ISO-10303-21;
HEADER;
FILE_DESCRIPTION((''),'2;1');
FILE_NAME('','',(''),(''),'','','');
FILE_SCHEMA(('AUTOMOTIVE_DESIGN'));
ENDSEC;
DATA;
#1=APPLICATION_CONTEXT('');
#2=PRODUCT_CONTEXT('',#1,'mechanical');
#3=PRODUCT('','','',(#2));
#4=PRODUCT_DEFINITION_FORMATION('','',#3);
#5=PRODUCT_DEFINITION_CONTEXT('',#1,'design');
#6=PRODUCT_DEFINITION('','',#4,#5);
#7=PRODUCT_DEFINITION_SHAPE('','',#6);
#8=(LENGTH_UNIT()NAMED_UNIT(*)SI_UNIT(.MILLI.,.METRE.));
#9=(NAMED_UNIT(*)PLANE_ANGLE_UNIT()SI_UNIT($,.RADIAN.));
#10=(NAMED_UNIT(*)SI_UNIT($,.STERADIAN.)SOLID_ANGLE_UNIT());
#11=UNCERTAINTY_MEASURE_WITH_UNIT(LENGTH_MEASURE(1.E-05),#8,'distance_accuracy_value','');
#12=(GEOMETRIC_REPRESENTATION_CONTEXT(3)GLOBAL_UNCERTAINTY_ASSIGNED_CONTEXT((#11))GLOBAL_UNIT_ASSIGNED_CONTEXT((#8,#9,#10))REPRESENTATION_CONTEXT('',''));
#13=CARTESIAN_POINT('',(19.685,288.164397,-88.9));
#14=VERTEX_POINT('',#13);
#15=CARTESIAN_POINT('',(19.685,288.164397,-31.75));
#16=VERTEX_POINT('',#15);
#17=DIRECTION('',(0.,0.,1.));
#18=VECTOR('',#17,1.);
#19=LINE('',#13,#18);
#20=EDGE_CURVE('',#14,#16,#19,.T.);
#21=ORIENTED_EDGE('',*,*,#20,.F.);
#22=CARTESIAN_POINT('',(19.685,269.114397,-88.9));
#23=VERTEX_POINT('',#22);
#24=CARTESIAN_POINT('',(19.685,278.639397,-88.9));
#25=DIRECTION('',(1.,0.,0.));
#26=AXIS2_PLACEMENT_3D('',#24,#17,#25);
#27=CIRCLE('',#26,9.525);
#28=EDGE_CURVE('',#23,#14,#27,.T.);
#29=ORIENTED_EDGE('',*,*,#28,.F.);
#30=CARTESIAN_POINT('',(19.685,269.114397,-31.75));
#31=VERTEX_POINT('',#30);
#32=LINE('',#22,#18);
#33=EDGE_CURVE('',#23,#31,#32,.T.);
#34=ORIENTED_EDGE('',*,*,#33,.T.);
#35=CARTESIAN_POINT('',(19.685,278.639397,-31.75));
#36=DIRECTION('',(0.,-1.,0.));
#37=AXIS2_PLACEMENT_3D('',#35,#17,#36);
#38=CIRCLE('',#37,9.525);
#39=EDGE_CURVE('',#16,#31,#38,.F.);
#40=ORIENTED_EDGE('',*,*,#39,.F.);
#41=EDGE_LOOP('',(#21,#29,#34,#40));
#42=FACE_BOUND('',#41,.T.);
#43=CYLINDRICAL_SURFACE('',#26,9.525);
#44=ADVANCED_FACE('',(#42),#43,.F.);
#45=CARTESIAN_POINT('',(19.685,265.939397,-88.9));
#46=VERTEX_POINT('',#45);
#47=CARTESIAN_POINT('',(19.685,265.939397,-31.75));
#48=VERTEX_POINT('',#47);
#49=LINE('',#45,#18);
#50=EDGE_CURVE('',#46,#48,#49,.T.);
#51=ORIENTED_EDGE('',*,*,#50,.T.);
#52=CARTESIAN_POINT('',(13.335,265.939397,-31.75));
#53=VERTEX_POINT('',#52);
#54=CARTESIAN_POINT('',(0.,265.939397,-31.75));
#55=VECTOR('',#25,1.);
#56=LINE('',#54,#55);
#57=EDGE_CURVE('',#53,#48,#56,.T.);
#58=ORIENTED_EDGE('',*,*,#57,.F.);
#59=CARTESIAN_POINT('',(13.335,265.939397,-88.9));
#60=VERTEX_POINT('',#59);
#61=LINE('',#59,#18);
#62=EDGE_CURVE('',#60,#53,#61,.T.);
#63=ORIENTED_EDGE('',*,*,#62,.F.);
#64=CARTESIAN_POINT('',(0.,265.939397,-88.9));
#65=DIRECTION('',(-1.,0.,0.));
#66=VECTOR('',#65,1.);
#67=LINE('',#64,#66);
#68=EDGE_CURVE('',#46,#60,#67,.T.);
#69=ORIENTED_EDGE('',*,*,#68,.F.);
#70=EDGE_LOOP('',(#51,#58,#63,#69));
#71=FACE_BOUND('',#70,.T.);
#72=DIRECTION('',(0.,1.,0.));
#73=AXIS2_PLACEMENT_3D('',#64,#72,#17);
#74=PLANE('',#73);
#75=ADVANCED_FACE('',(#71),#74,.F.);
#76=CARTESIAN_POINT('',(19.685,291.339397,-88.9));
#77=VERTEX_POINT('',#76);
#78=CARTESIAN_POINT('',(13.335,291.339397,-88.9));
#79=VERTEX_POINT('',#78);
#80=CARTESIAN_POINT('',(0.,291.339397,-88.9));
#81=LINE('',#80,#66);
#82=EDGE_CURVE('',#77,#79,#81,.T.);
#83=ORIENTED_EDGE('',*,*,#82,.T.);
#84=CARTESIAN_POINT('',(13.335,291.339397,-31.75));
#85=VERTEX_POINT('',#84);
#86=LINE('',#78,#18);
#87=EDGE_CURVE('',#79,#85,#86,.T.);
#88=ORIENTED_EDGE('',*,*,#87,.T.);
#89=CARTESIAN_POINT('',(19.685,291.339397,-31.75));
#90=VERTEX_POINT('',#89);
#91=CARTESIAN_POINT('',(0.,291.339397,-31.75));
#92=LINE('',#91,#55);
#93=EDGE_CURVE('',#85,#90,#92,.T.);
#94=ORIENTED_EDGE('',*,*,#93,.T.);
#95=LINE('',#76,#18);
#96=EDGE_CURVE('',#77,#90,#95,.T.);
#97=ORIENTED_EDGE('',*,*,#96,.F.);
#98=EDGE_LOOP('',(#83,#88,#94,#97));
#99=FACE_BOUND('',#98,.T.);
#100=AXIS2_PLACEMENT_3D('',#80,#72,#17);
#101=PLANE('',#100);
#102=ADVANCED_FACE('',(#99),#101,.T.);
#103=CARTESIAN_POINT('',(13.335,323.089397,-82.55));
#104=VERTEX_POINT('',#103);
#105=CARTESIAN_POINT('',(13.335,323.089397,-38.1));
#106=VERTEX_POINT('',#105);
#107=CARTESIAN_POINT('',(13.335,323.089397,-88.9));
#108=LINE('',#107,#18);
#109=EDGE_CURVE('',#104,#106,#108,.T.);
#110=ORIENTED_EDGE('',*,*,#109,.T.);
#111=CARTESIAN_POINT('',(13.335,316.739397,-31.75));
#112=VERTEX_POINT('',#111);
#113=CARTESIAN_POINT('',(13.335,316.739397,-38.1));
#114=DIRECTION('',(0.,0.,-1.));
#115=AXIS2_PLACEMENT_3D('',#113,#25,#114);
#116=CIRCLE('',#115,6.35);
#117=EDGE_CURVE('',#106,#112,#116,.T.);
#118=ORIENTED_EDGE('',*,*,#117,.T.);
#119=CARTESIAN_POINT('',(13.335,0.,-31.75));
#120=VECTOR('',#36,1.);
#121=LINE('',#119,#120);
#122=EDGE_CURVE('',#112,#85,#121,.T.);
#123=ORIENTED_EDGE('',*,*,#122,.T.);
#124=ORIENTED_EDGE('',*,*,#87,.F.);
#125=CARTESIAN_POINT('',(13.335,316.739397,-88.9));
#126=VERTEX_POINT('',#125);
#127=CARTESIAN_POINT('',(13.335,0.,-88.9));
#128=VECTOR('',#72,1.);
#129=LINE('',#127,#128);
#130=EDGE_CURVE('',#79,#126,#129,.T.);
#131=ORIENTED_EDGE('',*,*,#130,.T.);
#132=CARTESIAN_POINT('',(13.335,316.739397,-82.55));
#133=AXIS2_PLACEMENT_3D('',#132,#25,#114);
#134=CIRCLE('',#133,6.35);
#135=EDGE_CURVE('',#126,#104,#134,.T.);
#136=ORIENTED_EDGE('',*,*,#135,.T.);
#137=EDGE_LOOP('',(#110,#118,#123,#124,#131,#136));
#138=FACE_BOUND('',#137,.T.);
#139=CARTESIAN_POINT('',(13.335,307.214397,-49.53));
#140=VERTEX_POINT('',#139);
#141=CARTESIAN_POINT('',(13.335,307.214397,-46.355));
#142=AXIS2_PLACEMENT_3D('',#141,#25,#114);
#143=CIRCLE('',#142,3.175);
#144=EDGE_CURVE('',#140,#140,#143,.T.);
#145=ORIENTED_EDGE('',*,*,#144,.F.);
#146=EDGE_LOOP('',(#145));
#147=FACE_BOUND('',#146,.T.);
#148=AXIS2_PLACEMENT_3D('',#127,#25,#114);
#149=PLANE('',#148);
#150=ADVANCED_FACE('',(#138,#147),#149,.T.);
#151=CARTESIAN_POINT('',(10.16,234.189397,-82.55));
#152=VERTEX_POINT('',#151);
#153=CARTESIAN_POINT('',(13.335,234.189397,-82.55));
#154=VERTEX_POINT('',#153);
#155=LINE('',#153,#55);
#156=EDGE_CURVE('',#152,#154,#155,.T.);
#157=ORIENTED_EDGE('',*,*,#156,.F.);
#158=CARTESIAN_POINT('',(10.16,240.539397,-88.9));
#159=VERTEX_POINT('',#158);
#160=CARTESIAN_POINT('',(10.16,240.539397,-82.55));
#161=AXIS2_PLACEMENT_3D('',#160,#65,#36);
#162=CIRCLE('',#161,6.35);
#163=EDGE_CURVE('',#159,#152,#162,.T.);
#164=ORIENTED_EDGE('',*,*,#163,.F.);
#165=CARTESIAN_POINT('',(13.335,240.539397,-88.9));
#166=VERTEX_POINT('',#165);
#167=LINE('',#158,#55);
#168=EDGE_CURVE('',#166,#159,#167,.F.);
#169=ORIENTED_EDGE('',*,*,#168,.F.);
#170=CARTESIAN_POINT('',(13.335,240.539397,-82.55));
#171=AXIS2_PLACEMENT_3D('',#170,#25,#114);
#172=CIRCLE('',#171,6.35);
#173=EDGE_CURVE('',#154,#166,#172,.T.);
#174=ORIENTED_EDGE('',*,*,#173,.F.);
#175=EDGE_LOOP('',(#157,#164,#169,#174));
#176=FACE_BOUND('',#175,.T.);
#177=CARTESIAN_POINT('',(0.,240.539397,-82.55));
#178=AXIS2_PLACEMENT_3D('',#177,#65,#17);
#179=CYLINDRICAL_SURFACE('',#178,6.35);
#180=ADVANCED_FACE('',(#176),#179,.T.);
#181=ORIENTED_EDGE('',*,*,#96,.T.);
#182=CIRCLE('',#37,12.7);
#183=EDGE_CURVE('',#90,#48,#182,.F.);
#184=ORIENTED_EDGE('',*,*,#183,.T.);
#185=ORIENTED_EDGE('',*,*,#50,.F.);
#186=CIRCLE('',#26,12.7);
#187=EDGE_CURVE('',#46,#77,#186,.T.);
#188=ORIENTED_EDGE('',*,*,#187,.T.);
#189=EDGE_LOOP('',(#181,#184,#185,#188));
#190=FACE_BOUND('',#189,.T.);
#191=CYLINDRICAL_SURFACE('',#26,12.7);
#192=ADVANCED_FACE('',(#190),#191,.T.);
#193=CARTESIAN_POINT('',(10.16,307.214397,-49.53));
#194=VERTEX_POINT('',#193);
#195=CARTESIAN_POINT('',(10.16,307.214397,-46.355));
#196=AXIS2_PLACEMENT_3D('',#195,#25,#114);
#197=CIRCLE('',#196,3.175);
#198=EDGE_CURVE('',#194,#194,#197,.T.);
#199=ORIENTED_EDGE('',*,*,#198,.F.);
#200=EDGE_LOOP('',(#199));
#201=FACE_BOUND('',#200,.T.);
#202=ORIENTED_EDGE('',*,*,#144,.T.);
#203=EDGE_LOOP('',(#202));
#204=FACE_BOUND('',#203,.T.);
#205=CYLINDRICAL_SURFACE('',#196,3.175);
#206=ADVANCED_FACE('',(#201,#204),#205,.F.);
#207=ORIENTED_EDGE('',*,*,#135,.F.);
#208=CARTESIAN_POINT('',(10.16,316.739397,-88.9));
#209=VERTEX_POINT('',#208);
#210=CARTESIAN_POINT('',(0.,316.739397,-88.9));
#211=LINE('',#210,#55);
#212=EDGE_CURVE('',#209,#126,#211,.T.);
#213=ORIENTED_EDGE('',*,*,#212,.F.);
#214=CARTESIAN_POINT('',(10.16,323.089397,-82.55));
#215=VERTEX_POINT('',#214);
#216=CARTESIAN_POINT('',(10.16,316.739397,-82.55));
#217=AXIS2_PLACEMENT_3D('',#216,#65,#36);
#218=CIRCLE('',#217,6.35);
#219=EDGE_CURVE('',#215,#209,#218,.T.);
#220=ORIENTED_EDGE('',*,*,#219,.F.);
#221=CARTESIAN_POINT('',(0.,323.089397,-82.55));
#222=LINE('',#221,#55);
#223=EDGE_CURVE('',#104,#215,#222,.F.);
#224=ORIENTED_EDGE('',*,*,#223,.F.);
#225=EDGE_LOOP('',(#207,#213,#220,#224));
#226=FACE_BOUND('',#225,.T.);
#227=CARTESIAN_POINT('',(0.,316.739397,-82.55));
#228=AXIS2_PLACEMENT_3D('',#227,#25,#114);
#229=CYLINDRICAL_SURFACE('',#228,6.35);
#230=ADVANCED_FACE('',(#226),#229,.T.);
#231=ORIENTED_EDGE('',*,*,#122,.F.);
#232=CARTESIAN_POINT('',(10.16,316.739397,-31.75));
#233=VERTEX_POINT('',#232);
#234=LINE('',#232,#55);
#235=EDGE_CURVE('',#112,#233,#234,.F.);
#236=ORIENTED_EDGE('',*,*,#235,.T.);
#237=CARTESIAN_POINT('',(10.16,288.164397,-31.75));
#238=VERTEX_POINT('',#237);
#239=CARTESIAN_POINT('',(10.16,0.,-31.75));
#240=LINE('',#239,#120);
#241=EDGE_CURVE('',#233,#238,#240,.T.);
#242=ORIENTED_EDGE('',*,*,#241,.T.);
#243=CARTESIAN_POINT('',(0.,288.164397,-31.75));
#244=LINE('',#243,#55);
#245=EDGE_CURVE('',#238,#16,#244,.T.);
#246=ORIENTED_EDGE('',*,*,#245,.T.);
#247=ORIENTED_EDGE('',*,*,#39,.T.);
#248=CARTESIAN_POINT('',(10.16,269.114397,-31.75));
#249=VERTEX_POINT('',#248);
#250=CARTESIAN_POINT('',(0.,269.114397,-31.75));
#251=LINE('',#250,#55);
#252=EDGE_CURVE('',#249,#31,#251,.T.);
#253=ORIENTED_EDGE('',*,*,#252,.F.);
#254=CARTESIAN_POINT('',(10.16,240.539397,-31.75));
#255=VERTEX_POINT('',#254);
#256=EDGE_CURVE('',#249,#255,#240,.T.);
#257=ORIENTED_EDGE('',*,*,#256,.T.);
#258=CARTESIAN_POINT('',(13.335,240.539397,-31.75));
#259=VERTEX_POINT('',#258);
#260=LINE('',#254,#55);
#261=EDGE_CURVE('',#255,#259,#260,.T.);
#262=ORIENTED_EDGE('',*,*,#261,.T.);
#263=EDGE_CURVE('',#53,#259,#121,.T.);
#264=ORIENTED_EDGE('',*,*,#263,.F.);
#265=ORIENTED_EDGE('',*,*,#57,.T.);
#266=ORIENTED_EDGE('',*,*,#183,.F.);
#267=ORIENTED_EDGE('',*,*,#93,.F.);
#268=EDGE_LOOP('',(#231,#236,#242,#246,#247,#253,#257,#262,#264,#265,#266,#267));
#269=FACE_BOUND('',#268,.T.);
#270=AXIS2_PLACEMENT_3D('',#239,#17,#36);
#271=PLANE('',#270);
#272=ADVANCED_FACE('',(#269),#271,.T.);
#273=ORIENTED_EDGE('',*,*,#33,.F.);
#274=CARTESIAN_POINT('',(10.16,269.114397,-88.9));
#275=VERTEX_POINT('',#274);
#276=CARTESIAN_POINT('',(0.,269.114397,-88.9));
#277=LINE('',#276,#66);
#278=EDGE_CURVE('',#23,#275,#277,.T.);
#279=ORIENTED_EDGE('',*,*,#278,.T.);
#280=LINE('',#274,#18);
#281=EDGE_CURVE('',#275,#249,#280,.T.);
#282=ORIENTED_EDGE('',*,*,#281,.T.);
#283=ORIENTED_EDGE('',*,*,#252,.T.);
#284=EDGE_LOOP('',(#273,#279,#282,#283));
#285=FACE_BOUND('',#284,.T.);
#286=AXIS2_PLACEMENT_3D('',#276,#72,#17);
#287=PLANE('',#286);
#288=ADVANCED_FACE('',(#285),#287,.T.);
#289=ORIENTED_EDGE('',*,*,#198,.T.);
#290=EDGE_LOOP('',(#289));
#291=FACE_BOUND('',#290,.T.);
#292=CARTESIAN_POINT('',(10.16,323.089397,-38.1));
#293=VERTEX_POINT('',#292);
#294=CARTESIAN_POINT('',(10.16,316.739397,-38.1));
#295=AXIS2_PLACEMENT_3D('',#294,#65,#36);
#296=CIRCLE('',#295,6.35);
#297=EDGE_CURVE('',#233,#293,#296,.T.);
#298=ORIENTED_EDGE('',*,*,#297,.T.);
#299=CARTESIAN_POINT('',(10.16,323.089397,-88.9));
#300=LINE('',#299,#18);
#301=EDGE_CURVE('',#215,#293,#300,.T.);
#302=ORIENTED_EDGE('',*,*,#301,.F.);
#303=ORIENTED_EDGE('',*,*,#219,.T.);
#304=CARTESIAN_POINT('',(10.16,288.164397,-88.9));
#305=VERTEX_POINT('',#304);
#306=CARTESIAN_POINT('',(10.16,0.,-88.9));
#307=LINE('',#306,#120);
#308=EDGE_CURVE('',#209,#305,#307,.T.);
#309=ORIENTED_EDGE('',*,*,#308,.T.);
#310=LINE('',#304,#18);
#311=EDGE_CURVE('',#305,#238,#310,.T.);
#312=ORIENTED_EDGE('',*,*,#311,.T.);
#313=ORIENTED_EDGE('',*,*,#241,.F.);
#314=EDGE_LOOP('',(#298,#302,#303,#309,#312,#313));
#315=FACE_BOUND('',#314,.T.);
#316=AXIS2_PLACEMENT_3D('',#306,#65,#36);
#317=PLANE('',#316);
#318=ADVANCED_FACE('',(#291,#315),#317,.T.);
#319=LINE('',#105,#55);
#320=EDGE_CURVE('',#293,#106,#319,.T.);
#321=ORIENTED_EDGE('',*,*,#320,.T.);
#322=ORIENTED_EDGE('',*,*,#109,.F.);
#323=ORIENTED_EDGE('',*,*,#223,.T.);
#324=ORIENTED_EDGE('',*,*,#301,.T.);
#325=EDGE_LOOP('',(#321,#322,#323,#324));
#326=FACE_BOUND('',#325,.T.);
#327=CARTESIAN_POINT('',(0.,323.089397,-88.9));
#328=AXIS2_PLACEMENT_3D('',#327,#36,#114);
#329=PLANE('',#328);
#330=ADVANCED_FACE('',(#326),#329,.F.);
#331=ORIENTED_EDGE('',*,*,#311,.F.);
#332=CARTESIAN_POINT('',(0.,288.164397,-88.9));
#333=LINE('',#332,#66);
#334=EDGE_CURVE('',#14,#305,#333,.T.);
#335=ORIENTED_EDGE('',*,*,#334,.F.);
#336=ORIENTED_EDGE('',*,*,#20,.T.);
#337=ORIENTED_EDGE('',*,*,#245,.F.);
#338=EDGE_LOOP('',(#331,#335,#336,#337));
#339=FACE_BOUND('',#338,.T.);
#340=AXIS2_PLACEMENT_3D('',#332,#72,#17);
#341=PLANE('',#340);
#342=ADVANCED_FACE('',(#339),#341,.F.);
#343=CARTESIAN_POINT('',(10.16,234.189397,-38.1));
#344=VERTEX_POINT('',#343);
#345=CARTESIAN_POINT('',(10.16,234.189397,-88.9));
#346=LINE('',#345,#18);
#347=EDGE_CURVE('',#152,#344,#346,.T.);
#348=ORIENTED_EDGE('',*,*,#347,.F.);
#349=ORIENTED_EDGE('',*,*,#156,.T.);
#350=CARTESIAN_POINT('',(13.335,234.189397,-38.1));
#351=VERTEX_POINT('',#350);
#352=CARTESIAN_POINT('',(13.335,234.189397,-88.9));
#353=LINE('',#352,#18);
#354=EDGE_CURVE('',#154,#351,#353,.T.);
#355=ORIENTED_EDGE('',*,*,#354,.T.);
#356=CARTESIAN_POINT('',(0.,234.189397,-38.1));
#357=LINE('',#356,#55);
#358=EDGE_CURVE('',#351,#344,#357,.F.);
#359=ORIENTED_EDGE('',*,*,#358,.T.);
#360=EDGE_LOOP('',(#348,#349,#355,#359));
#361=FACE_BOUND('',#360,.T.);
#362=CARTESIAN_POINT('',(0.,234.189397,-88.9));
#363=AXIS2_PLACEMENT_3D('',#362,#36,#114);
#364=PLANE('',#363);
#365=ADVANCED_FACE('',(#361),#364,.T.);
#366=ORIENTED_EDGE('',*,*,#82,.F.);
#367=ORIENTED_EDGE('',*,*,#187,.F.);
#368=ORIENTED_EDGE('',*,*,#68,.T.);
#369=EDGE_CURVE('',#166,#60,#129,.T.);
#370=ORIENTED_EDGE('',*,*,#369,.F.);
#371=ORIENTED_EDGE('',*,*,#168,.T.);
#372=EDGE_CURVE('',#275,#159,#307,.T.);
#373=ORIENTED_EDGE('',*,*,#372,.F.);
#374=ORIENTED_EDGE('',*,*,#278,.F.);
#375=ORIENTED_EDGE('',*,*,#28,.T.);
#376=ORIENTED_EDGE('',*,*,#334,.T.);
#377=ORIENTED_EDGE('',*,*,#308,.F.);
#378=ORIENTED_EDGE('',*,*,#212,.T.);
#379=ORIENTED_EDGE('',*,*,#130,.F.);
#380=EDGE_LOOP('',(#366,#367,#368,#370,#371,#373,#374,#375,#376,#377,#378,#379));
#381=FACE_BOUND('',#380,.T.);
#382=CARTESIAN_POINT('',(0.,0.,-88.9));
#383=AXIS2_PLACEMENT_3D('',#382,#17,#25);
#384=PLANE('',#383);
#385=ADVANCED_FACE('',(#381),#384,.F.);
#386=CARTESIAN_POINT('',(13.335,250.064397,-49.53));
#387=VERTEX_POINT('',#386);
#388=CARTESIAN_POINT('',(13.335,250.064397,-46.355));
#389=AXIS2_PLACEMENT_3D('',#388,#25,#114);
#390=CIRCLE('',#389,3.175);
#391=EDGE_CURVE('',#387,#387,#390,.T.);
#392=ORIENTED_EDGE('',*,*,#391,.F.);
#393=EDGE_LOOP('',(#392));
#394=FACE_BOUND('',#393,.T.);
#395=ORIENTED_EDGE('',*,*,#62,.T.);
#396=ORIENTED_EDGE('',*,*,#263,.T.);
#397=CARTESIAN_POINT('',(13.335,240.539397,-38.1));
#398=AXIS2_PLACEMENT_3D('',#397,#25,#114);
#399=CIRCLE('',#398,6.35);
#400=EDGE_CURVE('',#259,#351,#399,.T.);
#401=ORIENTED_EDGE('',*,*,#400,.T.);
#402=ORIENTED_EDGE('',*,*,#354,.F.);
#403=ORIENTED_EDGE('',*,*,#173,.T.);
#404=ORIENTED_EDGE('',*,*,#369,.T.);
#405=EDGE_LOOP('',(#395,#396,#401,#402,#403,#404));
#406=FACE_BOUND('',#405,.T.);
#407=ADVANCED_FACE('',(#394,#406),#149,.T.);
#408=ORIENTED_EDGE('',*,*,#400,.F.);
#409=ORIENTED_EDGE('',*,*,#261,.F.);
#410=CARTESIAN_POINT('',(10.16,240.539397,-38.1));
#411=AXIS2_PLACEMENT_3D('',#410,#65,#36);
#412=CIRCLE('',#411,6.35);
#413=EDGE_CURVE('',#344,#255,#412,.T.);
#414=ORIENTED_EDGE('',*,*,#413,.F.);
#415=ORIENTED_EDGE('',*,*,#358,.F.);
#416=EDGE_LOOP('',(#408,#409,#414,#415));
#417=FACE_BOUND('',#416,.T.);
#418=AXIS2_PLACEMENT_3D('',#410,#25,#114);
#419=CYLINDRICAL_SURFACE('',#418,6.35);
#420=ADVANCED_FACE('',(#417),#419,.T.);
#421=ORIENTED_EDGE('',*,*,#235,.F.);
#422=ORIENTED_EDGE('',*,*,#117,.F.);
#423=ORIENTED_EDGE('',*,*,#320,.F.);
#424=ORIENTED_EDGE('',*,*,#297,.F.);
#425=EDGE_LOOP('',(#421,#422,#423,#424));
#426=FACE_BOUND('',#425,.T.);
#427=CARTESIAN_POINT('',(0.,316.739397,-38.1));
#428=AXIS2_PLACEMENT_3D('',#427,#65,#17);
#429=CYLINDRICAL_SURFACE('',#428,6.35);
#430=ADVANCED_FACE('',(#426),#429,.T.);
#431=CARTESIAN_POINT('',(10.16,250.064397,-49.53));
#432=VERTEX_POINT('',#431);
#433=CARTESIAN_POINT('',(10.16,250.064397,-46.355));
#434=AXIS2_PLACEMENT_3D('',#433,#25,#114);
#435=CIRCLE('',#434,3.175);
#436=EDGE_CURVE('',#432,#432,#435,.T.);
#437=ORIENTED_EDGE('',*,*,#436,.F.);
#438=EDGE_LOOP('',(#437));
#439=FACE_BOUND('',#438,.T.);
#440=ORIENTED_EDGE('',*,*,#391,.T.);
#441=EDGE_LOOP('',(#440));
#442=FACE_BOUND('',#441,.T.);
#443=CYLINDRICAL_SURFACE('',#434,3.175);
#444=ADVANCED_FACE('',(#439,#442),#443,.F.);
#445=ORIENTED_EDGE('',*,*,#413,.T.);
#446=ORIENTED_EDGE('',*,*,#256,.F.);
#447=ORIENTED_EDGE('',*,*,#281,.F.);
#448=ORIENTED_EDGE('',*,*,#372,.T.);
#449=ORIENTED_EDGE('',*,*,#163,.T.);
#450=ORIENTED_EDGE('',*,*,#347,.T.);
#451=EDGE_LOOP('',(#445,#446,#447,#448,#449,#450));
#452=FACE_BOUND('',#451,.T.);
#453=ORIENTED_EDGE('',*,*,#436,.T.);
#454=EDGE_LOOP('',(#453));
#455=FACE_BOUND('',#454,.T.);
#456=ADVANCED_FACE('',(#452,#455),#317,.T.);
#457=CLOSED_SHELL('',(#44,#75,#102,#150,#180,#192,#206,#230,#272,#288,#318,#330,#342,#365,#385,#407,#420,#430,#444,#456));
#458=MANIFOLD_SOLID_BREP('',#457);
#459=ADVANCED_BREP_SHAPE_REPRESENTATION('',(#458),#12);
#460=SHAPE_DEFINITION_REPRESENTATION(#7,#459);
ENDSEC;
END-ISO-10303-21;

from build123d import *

# Parameters (mm, degrees)
BOSS_EXTRUDE1_DEPTH     = 88.9
SKETCH2_R               = 3.175
CUT_EXTRUDE1_DEPTH      = 4.175
FILLET1_R               = 6.35
SKETCH3_W               = 31.75
SKETCH3_H               = 57.15
CUT_EXTRUDE2_DEPTH      = 20.05
CUT_EXTRUDE2_DEPTH_BACK = 4.175
FILLET2_R               = 6.35


with BuildPart() as part:
    # Sketch1 → Boss-Extrude1 (new body)
    with BuildSketch(Plane.XY):
        with BuildLine():
            Line((13.335, 323.089397322), (10.16, 323.089397322))
            Line((10.16, 323.089397322), (10.16, 288.164397322))
            Line((10.16, 288.164397322), (19.685, 288.164397322))
            ThreePointArc((19.685, 288.164397322), (29.21, 278.639397322), (19.685, 269.114397322))
            Line((19.685, 269.114397322), (10.16, 269.114397322))
            Line((10.16, 269.114397322), (10.16, 234.189397322))
            Line((10.16, 234.189397322), (13.335, 234.189397322))
            Line((13.335, 234.189397322), (13.335, 265.939397322))
            Line((13.335, 265.939397322), (19.685, 265.939397322))
            ThreePointArc((19.685, 265.939397322), (32.385, 278.639397322), (19.685, 291.339397322))
            Line((19.685, 291.339397322), (13.335, 291.339397322))
            Line((13.335, 291.339397322), (13.335, 323.089397322))
        make_face()
    extrude(amount=-BOSS_EXTRUDE1_DEPTH)

    # Sketch2 → Cut-Extrude1 (cut, through all)
    with BuildSketch(Plane(origin=(13.335, 0, 0), x_dir=(0, 0, -1), z_dir=(1, 0, 0))):
        with Locations((46.355, 250.064397322)):
            Circle(SKETCH2_R)
        with Locations((46.355, 307.214397322)):
            Circle(SKETCH2_R)
    extrude(amount=-CUT_EXTRUDE1_DEPTH, mode=Mode.SUBTRACT)

    # Fillet1
    fillet1_edges = [part.edges().sort_by_distance(p)[0] for p in [
        (11.7475, 323.089397322, 0),
        (11.7475, 234.189397322, 0),
        (11.7475, 234.189397322, -88.9),
        (11.7475, 323.089397322, -88.9),
    ]]
    fillet(fillet1_edges, radius=FILLET1_R)

    # Sketch3 → Cut-Extrude2 (cut, two sides)
    with BuildSketch(Plane(origin=(13.335, 0, 0), x_dir=(0, 0, -1), z_dir=(1, 0, 0))) as cut_extrude2_sk:
        with Locations((15.875, 294.514397322)):
            Rectangle(SKETCH3_W, SKETCH3_H)
        with BuildLine():
            Line((31.75, 234.189397322), (31.75, 265.939397322))
            Line((31.75, 265.939397322), (0, 265.939397322))
            Line((0, 265.939397322), (0, 240.539397322))
            ThreePointArc((0, 240.539397322), (1.859871939, 236.049269261), (6.35, 234.189397322))
            Line((6.35, 234.189397322), (31.75, 234.189397322))
        make_face()
    extrude(amount=CUT_EXTRUDE2_DEPTH, mode=Mode.SUBTRACT)
    extrude(cut_extrude2_sk.sketch, amount=-CUT_EXTRUDE2_DEPTH_BACK, mode=Mode.SUBTRACT)

    # Fillet2
    fillet2_edges = [part.edges().sort_by_distance(p)[0] for p in [
        (11.7475, 234.189397322, -31.75),
        (11.7475, 323.089397322, -31.75),
    ]]
    fillet(fillet2_edges, radius=FILLET2_R)


solid = part.part
